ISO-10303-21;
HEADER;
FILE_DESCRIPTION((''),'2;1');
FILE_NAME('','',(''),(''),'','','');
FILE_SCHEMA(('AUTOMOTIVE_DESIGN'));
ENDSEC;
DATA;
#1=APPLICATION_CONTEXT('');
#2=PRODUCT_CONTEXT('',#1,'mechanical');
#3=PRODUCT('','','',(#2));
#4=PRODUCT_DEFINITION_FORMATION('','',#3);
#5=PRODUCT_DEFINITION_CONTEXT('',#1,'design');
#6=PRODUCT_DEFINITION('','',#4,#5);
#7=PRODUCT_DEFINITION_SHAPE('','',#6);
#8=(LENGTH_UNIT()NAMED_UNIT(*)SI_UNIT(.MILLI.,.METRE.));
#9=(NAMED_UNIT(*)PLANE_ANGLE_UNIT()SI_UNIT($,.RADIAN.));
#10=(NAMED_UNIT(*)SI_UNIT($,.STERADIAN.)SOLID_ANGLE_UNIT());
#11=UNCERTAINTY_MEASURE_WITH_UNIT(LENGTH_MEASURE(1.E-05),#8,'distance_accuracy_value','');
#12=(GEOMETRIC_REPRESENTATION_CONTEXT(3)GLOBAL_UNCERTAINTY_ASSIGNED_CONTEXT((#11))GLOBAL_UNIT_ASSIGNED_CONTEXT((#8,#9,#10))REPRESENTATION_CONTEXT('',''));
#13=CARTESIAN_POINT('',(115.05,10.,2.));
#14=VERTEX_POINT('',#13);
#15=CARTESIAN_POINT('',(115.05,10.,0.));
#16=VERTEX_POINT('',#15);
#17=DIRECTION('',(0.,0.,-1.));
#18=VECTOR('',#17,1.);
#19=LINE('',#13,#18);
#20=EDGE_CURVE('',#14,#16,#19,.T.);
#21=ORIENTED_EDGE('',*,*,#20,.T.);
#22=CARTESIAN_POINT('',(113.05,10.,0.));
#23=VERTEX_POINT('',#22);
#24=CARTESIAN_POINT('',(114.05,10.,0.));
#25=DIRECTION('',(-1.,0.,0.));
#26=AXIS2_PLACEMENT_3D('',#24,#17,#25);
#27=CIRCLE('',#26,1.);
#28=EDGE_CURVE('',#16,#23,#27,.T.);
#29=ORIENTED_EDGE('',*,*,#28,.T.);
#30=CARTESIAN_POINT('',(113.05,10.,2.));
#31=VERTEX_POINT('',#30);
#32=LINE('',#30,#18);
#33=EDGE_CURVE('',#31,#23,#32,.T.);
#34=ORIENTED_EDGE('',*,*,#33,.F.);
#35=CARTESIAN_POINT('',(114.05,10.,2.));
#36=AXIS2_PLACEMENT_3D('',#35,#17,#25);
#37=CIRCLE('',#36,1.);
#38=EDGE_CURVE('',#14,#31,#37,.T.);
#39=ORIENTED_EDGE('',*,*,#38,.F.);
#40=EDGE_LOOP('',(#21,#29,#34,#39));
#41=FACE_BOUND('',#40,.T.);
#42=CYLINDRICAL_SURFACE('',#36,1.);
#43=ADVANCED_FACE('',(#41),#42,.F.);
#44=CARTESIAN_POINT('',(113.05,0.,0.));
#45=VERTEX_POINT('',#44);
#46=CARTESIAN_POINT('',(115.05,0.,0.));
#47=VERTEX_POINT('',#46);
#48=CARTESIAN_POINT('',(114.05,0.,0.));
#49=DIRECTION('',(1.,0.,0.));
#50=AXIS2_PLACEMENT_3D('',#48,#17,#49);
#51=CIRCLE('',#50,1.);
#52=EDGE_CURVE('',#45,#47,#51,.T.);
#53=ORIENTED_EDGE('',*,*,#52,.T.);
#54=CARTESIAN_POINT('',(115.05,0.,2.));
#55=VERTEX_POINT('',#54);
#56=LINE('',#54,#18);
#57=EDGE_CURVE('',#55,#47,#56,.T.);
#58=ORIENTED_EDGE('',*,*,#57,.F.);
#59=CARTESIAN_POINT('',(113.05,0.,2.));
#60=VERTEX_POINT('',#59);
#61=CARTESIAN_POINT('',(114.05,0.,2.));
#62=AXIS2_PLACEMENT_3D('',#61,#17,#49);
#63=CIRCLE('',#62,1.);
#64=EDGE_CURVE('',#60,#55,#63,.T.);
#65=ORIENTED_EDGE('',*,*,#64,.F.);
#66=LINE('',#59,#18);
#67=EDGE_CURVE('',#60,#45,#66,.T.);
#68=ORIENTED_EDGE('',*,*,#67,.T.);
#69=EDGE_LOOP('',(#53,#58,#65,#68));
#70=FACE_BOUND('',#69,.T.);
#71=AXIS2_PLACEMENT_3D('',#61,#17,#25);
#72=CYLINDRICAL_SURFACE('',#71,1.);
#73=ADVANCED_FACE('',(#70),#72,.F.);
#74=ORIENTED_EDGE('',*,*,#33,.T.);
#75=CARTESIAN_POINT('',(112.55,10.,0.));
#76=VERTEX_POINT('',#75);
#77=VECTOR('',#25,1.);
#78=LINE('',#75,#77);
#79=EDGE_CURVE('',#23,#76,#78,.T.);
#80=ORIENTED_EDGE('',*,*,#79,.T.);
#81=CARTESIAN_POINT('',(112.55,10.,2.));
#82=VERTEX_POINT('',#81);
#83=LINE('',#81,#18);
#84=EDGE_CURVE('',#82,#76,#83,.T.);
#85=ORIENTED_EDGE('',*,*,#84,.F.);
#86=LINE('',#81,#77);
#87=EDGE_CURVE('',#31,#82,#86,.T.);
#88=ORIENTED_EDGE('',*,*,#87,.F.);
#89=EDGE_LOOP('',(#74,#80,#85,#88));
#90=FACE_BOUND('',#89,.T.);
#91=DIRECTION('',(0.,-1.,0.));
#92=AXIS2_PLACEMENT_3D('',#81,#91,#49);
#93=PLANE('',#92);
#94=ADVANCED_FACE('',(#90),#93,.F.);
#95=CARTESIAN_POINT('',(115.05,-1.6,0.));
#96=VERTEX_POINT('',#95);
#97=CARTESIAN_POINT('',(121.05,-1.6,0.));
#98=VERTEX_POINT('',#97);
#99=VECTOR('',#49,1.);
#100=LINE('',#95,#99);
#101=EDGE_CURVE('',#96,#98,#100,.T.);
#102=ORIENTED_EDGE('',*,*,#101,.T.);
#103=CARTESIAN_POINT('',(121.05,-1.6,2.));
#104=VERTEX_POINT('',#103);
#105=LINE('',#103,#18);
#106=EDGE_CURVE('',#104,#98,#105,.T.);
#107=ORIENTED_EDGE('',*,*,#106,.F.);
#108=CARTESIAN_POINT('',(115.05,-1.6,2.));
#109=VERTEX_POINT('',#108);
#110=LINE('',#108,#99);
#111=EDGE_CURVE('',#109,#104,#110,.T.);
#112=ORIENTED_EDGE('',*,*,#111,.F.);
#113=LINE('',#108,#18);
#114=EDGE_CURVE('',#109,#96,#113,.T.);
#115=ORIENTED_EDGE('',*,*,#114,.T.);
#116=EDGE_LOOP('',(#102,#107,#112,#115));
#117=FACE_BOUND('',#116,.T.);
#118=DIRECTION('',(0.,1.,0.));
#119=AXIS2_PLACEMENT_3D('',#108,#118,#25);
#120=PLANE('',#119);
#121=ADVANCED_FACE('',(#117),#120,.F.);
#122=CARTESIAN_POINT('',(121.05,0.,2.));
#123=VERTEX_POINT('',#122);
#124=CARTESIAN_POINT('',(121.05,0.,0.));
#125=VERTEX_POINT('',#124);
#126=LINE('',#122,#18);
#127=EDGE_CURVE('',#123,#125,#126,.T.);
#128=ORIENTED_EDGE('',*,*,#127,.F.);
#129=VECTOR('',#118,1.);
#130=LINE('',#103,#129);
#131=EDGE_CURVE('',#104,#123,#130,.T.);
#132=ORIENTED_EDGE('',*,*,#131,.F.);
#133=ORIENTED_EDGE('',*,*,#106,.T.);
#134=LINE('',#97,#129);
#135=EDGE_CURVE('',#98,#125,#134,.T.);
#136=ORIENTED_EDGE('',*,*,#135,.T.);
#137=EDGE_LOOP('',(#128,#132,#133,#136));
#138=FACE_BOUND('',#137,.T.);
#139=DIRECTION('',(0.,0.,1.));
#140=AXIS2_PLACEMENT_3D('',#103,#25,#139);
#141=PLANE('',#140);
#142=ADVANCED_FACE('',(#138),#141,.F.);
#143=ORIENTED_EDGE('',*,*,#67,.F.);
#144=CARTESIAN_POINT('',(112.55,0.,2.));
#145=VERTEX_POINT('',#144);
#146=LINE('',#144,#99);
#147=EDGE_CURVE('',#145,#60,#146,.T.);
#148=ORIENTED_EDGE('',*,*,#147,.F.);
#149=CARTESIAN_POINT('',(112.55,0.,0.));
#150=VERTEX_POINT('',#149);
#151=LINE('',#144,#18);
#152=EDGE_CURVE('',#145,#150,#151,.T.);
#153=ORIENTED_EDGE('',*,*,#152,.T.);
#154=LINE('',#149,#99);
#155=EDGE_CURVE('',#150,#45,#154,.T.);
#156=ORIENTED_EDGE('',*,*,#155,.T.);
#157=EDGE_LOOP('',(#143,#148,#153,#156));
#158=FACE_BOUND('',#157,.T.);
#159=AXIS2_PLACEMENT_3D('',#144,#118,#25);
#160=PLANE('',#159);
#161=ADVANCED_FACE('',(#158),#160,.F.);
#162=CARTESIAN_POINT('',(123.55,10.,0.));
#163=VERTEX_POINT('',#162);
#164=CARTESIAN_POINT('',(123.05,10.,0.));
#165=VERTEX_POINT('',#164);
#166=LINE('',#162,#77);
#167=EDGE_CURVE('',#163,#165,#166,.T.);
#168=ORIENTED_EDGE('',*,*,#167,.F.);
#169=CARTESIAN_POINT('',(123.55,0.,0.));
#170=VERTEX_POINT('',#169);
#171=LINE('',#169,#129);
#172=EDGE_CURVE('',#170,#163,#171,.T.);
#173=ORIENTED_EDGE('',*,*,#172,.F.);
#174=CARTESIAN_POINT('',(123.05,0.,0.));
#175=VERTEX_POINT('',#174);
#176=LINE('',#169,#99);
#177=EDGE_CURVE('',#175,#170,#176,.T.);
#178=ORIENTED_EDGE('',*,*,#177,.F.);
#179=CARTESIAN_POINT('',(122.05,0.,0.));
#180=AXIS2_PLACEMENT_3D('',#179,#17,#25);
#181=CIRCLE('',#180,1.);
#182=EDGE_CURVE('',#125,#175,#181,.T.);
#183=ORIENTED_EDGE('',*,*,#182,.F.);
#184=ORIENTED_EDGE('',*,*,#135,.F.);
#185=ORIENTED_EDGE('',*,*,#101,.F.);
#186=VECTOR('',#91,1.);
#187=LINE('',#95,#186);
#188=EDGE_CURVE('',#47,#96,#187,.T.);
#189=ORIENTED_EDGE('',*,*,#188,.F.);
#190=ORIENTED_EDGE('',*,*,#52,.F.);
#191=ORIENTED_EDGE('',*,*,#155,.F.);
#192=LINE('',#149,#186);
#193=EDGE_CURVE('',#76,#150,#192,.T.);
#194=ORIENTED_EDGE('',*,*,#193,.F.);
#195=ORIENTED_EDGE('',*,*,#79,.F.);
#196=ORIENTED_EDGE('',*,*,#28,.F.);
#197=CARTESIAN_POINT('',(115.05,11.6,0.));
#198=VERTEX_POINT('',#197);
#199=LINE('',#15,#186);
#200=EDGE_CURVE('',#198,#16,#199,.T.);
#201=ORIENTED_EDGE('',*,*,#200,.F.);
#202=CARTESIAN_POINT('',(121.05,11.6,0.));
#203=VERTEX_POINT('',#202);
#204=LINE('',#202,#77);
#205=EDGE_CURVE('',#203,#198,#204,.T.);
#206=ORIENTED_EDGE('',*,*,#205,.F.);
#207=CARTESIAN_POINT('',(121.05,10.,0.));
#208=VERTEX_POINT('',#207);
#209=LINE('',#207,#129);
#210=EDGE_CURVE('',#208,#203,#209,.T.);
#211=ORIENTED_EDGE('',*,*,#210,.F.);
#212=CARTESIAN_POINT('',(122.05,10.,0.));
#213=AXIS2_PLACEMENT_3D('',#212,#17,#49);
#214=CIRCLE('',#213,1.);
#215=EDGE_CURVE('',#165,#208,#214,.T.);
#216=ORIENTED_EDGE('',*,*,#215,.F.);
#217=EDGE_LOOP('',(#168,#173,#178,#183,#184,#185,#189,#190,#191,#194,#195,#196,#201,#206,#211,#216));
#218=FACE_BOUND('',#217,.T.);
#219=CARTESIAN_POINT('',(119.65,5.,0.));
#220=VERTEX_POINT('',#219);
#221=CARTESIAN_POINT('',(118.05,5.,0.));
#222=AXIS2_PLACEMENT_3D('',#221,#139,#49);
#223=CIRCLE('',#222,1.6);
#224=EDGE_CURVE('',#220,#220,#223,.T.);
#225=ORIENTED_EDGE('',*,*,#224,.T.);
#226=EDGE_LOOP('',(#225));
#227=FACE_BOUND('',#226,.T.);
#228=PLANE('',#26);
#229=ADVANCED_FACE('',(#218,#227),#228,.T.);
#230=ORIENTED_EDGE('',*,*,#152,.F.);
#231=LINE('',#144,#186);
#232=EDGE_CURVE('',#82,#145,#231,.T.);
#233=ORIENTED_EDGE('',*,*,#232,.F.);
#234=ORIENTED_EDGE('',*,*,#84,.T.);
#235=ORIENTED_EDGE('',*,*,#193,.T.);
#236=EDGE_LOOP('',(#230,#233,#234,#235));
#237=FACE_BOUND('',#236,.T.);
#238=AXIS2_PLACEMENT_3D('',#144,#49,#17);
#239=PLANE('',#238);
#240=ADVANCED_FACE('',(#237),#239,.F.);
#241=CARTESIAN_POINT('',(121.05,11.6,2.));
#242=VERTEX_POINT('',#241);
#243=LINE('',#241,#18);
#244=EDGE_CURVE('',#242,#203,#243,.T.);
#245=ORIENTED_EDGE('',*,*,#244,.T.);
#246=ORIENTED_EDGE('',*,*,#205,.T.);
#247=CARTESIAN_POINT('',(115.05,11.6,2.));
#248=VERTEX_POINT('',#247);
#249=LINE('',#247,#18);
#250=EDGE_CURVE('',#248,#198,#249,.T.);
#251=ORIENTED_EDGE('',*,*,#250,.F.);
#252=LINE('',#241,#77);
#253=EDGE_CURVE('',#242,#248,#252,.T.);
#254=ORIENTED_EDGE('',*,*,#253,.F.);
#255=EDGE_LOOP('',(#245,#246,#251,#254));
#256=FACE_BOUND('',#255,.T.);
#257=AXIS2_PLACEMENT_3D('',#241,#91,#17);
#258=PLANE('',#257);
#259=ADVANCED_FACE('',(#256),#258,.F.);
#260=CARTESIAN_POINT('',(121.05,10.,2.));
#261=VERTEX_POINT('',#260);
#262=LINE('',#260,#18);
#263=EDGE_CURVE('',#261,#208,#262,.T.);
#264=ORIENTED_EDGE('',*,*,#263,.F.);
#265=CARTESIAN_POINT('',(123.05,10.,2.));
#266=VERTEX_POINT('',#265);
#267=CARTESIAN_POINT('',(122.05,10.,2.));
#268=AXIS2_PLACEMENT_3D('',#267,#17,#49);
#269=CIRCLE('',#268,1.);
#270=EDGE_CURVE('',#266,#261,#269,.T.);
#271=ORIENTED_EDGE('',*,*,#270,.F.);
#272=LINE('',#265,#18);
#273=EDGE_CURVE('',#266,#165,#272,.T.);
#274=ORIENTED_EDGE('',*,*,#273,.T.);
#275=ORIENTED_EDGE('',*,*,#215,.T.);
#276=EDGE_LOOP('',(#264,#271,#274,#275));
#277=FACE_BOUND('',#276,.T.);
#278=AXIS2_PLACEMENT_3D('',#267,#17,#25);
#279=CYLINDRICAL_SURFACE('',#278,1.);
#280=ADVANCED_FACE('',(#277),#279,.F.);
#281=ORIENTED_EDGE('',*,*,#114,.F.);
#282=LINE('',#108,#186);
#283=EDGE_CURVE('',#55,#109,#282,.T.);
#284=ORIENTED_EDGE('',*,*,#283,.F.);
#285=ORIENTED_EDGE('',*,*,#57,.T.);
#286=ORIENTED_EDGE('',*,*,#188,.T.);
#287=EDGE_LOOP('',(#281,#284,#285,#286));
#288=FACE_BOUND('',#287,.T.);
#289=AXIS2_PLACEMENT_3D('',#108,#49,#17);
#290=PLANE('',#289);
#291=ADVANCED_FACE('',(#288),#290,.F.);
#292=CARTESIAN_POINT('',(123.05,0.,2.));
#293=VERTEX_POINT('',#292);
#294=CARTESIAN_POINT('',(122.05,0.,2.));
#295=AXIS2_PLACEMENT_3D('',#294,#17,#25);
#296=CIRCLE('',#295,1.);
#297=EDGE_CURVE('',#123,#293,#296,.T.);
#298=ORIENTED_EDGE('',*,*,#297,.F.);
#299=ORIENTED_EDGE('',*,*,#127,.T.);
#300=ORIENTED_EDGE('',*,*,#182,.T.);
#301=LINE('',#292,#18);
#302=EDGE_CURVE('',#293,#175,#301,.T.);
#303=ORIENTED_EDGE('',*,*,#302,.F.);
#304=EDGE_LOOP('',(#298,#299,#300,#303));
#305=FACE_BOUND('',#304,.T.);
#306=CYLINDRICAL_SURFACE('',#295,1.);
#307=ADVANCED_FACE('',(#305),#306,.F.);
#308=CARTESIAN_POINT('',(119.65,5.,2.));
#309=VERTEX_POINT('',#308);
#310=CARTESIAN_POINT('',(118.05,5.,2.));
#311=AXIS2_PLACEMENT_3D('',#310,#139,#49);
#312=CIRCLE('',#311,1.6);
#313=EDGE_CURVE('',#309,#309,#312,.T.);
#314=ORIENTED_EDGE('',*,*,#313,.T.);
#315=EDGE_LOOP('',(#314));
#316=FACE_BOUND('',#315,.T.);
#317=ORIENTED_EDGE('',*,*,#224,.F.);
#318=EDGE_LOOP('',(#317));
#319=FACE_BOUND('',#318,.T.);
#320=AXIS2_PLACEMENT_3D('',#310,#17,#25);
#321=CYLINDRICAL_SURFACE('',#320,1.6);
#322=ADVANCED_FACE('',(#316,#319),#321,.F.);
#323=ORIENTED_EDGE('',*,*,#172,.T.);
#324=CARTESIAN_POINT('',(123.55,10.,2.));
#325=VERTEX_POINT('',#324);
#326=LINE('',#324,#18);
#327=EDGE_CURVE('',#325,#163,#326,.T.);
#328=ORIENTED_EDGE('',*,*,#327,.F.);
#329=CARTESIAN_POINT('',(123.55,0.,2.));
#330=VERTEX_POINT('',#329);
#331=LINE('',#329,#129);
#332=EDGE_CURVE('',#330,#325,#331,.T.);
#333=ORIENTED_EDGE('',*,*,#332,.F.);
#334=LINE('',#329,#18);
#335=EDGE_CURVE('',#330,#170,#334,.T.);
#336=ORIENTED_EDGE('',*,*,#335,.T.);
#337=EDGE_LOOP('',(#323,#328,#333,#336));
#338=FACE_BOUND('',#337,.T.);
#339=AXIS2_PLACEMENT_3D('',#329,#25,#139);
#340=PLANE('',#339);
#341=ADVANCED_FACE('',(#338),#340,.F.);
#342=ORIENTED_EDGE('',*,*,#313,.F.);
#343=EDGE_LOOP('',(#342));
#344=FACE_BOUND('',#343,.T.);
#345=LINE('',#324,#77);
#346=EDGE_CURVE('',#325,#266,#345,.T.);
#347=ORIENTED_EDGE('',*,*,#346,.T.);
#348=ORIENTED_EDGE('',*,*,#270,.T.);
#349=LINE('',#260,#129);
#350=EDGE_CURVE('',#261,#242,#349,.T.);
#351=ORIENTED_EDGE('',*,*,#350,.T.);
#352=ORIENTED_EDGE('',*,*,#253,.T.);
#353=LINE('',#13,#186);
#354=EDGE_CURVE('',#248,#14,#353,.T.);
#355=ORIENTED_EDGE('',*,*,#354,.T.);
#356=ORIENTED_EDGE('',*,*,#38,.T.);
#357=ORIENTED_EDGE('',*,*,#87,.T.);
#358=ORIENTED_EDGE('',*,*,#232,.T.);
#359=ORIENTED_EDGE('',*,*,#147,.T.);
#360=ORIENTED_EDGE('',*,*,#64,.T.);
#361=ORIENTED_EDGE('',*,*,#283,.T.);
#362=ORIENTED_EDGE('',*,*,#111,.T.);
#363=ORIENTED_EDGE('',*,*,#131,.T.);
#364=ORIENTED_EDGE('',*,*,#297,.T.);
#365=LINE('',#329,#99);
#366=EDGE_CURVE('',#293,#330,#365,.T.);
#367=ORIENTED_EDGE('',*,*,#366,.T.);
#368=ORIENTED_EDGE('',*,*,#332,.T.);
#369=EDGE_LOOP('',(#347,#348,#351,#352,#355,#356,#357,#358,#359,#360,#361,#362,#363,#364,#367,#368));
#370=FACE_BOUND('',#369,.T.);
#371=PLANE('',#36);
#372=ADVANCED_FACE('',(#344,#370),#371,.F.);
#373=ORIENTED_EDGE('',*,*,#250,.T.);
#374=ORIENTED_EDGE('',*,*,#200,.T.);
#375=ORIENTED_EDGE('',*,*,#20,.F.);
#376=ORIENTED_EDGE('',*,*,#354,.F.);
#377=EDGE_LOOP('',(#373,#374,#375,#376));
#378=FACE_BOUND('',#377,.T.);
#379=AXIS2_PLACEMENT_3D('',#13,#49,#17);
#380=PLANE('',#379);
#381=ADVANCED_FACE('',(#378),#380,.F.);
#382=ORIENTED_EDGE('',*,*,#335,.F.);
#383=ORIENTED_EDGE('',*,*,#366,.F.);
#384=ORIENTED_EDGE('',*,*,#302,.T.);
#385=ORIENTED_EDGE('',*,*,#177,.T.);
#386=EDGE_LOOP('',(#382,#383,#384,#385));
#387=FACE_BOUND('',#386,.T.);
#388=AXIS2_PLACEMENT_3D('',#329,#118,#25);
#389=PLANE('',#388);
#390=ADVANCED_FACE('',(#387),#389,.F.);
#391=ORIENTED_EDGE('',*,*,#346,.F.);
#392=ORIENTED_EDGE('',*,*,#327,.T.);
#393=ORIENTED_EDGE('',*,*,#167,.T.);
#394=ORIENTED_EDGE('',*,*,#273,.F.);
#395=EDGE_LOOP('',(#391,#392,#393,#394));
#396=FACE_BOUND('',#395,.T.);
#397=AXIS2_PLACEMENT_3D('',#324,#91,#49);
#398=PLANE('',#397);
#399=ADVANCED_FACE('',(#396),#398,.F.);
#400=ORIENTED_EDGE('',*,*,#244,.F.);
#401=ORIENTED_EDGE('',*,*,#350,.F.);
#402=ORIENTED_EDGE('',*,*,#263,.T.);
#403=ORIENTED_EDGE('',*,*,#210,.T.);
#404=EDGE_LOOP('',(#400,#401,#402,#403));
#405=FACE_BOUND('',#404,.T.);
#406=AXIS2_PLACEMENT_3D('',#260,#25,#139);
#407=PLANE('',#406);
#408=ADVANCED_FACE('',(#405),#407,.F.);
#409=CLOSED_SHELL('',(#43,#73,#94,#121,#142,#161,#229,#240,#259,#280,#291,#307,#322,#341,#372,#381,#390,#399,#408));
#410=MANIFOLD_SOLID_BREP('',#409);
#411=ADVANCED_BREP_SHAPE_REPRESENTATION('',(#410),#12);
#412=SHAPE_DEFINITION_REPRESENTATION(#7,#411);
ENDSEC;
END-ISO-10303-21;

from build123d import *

# Parameters (mm, degrees)
SKETCH1_R           = 1.6
BOSS_EXTRUDE1_DEPTH = 2


with BuildPart() as part:
    # Sketch1 → Boss-Extrude1 (new body)
    with BuildSketch(Plane.XY):
        with BuildLine():
            Line((115.05, 10), (115.05, 11.6))
            Line((115.05, 11.6), (121.05, 11.6))
            Line((121.05, 11.6), (121.05, 10))
            ThreePointArc((121.05, 10), (122.05, 9), (123.05, 10))
            Line((123.05, 10), (123.55, 10))
            Line((123.55, 10), (123.55, 0))
            Line((123.55, 0), (123.05, 0))
            ThreePointArc((123.05, 0), (122.05, 1), (121.05, 0))
            Line((121.05, 0), (121.05, -1.6))
            Line((121.05, -1.6), (115.05, -1.6))
            Line((115.05, -1.6), (115.05, 0))
            ThreePointArc((115.05, 0), (114.05, 1), (113.05, 0))
            Line((113.05, 0), (112.55, 0))
            Line((112.55, 0), (112.55, 10))
            Line((112.55, 10), (113.05, 10))
            ThreePointArc((113.05, 10), (114.05, 9), (115.05, 10))
        make_face()
        with Locations((118.05, 5)):
            Circle(SKETCH1_R, mode=Mode.SUBTRACT)
    extrude(amount=BOSS_EXTRUDE1_DEPTH)


solid = part.part
